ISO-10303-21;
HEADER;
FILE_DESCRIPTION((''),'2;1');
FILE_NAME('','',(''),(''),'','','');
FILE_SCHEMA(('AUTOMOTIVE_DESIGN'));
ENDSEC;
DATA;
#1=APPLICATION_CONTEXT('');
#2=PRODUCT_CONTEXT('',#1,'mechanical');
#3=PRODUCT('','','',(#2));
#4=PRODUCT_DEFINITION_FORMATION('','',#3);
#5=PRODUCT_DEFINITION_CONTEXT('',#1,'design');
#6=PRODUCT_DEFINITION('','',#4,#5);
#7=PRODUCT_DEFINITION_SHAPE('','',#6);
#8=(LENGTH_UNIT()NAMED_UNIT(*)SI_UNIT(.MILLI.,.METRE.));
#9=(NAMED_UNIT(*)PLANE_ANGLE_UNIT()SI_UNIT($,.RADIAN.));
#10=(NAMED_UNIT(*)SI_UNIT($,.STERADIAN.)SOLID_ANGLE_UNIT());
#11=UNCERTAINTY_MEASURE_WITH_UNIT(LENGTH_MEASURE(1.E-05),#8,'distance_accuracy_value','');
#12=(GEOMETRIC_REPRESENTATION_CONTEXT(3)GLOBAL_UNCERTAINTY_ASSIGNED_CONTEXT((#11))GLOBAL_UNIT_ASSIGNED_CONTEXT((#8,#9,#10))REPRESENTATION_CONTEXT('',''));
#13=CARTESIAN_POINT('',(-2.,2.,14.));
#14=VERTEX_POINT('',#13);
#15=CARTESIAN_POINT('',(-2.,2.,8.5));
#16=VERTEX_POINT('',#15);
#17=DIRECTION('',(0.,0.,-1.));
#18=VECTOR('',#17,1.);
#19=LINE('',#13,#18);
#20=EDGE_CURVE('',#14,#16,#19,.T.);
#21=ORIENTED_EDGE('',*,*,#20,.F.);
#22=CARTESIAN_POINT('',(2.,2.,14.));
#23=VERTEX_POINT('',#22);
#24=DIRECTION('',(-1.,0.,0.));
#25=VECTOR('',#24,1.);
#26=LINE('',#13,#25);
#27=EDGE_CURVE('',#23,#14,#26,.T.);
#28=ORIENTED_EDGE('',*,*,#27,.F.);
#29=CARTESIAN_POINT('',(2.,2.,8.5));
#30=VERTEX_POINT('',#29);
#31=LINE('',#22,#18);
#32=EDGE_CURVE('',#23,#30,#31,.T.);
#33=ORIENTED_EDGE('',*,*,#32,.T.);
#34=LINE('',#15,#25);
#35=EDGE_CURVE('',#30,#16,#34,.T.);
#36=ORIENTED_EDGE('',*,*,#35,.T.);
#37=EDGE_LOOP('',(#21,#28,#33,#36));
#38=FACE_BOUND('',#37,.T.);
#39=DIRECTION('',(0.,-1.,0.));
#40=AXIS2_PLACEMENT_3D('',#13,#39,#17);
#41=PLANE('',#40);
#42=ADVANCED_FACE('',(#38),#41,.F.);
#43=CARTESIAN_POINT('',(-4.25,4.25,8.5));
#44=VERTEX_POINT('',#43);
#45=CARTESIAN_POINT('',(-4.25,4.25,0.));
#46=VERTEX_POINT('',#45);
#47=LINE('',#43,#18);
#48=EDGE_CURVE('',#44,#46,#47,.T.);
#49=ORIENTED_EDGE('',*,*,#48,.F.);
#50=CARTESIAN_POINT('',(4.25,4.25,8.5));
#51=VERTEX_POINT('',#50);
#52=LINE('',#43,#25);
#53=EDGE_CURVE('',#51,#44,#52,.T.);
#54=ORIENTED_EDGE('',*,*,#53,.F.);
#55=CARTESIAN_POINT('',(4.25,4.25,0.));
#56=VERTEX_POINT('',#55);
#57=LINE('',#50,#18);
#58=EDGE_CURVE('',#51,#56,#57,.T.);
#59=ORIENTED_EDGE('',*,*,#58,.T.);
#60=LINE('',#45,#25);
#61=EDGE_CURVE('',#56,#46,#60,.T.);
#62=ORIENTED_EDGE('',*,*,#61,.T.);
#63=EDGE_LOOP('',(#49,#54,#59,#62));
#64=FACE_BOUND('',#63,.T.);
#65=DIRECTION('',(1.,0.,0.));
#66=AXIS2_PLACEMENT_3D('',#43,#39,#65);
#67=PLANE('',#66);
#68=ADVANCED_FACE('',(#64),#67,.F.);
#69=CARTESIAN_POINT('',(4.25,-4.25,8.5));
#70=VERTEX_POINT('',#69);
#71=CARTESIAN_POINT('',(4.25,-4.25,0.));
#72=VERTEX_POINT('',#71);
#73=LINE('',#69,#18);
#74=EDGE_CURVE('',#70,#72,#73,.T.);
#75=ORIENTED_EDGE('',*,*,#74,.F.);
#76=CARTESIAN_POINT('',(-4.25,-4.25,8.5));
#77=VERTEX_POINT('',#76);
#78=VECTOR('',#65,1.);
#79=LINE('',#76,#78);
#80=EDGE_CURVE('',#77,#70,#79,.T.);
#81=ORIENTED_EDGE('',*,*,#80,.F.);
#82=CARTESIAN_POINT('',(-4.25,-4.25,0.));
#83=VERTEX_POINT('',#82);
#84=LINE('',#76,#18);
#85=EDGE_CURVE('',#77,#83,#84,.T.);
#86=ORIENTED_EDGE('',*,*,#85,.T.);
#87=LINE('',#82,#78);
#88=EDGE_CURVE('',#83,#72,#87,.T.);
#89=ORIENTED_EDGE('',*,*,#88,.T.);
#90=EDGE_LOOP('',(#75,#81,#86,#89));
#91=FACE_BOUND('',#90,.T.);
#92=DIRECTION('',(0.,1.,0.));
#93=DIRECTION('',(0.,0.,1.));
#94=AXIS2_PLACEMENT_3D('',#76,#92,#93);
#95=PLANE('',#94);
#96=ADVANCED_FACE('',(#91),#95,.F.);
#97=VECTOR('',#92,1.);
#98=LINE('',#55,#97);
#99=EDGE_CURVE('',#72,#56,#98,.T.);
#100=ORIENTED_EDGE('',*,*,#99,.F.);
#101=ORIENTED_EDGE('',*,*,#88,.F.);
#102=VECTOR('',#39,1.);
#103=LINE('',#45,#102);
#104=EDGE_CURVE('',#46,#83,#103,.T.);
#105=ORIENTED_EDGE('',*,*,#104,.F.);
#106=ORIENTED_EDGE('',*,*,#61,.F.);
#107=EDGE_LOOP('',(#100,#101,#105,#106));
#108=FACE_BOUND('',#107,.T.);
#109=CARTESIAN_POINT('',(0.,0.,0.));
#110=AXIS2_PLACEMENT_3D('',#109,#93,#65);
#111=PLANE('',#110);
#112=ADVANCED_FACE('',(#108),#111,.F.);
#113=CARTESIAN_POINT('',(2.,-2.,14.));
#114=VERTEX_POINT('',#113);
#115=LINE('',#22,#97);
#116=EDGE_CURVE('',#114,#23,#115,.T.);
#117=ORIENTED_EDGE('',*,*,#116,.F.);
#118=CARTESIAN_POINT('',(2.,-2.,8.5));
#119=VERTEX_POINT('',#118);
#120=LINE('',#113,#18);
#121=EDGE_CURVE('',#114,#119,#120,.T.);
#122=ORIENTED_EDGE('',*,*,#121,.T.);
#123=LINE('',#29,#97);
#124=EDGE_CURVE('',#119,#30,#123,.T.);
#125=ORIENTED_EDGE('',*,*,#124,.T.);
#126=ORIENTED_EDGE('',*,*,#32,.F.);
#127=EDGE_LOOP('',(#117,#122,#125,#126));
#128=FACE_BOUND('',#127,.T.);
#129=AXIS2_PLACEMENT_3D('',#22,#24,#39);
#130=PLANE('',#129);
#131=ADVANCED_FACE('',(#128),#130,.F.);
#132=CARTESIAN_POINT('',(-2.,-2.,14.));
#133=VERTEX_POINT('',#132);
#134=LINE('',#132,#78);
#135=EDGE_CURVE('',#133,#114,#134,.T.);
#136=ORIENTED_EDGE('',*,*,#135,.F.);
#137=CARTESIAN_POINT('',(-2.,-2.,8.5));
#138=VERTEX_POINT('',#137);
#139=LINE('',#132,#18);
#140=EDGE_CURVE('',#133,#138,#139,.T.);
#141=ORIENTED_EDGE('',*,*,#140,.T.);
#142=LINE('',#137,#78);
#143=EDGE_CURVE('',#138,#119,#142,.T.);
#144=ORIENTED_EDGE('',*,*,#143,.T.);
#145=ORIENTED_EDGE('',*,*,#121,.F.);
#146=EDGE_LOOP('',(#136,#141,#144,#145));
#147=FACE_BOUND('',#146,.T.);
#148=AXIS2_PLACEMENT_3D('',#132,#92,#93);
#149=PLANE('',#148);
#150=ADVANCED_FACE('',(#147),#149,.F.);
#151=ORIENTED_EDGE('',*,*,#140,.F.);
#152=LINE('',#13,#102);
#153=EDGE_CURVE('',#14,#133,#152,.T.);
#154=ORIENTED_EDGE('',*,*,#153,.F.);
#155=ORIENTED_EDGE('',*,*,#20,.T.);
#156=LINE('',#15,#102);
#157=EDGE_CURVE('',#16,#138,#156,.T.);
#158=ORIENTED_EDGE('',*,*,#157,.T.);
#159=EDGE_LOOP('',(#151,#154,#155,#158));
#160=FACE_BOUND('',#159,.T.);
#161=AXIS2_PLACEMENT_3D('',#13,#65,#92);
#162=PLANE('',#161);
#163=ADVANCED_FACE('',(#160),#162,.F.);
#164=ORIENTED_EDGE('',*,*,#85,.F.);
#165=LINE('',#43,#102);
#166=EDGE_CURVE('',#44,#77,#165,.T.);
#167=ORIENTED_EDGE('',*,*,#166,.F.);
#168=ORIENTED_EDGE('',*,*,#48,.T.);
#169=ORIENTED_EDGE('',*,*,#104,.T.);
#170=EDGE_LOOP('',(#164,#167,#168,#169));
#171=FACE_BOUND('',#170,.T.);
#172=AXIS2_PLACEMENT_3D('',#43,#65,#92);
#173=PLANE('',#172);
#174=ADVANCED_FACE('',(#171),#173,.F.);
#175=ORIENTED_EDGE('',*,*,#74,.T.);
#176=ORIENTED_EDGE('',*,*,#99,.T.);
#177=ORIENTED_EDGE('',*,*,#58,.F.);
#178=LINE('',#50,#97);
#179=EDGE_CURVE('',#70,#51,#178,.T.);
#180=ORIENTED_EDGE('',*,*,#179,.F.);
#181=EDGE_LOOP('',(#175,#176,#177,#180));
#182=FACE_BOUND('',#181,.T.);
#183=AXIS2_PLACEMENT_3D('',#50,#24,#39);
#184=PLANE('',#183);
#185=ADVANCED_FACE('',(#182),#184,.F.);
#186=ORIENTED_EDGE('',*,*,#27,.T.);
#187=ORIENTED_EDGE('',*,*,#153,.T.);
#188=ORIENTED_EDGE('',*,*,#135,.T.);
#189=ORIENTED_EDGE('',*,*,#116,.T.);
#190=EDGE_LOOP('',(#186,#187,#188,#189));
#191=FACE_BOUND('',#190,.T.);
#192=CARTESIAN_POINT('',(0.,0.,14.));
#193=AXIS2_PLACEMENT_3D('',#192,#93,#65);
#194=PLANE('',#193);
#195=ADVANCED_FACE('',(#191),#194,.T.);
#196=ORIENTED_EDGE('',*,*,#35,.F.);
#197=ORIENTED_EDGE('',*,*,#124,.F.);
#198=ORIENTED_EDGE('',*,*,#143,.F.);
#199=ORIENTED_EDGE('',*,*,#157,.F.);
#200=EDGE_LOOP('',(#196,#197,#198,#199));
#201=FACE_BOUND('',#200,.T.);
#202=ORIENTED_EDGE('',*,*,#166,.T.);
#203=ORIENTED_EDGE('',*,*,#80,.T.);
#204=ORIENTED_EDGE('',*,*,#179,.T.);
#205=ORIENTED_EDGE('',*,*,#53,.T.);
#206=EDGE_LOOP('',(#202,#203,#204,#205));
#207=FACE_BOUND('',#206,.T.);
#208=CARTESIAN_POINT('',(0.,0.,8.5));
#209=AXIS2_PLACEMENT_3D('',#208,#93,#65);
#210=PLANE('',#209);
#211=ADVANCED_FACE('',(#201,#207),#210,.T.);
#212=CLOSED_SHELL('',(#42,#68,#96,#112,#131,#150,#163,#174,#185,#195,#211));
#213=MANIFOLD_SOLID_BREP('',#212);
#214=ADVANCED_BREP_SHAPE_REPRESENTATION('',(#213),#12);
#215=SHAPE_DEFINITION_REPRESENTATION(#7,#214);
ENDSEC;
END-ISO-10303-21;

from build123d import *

# Parameters (mm, degrees)
SKETCH1_W           = 8.5
SKETCH1_H           = 8.5
BOSS_EXTRUDE1_DEPTH = 8.5
SKETCH2_W           = 4
SKETCH2_H           = 4
BOSS_EXTRUDE2_DEPTH = 5.5


with BuildPart() as part:
    # Sketch1 → Boss-Extrude1 (new body)
    with BuildSketch(Plane.XY):
        Rectangle(SKETCH1_W, SKETCH1_H)
    extrude(amount=BOSS_EXTRUDE1_DEPTH)

    # Sketch2 → Boss-Extrude2 (add)
    with BuildSketch(Plane.XY.offset(8.5)):
        Rectangle(SKETCH2_W, SKETCH2_H)
    extrude(amount=BOSS_EXTRUDE2_DEPTH)


solid = part.part
